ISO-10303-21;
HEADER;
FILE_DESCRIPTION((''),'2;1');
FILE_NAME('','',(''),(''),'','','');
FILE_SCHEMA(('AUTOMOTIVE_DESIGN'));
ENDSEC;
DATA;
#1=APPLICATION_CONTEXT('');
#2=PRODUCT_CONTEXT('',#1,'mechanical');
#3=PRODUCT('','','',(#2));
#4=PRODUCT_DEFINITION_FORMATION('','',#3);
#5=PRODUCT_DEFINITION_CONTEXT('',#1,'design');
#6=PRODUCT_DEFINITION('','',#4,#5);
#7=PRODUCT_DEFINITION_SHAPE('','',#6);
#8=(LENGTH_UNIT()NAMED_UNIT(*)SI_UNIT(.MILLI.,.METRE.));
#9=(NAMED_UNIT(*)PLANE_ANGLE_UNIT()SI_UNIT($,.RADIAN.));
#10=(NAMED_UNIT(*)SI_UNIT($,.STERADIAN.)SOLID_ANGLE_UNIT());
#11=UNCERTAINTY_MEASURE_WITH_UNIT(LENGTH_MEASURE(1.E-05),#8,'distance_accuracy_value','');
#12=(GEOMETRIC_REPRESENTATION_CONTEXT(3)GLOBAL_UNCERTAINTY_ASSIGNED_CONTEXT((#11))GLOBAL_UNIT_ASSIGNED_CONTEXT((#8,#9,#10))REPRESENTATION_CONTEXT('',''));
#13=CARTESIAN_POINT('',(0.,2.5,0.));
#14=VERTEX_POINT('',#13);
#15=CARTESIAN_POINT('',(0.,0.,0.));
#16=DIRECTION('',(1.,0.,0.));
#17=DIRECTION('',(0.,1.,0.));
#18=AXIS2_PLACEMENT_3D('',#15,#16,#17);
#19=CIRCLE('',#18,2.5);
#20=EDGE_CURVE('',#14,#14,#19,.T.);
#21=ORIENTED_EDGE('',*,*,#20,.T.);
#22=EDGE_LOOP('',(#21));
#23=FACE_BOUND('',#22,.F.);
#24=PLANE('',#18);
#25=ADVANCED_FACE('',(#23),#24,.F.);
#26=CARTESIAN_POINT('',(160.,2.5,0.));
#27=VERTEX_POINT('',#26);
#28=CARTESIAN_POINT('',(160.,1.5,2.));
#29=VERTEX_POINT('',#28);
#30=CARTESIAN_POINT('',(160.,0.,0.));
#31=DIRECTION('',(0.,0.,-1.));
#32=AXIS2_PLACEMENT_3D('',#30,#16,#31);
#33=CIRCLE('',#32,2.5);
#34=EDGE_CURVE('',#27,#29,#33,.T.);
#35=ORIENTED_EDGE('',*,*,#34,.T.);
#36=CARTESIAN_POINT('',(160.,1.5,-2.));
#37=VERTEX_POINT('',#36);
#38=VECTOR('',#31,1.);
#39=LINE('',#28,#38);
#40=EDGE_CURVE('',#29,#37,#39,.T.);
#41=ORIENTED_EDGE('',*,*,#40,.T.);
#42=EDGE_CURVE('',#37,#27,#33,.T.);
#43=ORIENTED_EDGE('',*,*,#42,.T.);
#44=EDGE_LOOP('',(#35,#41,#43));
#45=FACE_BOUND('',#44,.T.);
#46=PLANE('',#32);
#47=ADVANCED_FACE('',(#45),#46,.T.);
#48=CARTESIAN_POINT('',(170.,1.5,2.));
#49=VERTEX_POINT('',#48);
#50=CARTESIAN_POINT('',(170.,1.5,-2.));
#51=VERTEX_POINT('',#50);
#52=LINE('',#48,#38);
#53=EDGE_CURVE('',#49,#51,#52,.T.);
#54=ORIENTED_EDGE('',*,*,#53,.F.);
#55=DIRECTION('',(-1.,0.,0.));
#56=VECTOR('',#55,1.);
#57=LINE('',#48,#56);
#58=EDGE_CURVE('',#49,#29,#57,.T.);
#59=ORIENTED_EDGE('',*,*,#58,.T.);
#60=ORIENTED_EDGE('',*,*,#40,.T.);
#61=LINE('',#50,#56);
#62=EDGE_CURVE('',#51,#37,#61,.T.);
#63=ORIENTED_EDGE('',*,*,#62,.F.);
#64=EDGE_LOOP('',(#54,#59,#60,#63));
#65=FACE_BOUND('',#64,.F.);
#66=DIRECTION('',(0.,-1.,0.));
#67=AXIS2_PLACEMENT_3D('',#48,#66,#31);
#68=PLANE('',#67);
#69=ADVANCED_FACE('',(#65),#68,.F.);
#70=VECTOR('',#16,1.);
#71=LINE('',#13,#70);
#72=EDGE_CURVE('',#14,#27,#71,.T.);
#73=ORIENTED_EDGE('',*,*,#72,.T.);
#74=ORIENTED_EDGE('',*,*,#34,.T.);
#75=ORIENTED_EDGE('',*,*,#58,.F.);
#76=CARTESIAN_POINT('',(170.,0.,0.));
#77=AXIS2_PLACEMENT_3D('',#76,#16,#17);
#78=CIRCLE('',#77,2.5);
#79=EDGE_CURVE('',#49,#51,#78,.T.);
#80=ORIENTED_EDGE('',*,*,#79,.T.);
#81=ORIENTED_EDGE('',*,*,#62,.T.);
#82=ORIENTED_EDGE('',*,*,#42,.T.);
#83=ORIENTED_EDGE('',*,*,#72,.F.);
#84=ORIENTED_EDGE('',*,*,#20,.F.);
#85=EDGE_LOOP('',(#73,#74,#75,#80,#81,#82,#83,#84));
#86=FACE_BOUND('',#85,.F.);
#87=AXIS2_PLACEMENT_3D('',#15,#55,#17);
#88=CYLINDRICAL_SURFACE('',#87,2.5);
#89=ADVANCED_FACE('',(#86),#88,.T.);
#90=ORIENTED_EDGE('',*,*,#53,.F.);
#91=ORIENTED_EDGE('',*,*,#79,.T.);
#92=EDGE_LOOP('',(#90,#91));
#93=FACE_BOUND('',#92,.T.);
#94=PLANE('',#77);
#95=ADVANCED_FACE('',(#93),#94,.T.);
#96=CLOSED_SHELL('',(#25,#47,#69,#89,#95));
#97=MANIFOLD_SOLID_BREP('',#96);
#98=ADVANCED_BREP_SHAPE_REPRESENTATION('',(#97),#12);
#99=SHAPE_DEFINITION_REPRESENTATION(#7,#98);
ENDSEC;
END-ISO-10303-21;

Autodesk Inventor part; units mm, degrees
ref_plane "YZ Plane" through (0, 0, 0) normal (1, 0, 0) x (0, 1, 0)
ref_plane "XZ Plane" through (0, 0, 0) normal (0, 1, 0) x (-1, 0, 0)
ref_plane "XY Plane" through (0, 0, 0) normal (0, 0, 1) x (1, 0, 0)
sketch "Sketch1" plane through (0, 0, 0) normal (1, 0, 0) x (0, 1, 0)
  circle A0 centre (0, 0) radius 2.5
  dimension "d0" = 5
extrude "Extrusion1" add sketch "Sketch1" along normal blind 170
sketch "Sketch2" plane through (170, 0, 0) normal (1, 0, 0) x (0, 0, -1)
  circle A0 centre (0, 0) radius 2.5 projected
  line L0 (-2, 1.5) -> (2, 1.5)
  dimension "d5" = 1.5
extrude "Extrusion2" cut sketch "Sketch2" against normal blind 10 contours L0 A0 picked at (0.534, 1.6398)
properties part number "Eje 5mm"
